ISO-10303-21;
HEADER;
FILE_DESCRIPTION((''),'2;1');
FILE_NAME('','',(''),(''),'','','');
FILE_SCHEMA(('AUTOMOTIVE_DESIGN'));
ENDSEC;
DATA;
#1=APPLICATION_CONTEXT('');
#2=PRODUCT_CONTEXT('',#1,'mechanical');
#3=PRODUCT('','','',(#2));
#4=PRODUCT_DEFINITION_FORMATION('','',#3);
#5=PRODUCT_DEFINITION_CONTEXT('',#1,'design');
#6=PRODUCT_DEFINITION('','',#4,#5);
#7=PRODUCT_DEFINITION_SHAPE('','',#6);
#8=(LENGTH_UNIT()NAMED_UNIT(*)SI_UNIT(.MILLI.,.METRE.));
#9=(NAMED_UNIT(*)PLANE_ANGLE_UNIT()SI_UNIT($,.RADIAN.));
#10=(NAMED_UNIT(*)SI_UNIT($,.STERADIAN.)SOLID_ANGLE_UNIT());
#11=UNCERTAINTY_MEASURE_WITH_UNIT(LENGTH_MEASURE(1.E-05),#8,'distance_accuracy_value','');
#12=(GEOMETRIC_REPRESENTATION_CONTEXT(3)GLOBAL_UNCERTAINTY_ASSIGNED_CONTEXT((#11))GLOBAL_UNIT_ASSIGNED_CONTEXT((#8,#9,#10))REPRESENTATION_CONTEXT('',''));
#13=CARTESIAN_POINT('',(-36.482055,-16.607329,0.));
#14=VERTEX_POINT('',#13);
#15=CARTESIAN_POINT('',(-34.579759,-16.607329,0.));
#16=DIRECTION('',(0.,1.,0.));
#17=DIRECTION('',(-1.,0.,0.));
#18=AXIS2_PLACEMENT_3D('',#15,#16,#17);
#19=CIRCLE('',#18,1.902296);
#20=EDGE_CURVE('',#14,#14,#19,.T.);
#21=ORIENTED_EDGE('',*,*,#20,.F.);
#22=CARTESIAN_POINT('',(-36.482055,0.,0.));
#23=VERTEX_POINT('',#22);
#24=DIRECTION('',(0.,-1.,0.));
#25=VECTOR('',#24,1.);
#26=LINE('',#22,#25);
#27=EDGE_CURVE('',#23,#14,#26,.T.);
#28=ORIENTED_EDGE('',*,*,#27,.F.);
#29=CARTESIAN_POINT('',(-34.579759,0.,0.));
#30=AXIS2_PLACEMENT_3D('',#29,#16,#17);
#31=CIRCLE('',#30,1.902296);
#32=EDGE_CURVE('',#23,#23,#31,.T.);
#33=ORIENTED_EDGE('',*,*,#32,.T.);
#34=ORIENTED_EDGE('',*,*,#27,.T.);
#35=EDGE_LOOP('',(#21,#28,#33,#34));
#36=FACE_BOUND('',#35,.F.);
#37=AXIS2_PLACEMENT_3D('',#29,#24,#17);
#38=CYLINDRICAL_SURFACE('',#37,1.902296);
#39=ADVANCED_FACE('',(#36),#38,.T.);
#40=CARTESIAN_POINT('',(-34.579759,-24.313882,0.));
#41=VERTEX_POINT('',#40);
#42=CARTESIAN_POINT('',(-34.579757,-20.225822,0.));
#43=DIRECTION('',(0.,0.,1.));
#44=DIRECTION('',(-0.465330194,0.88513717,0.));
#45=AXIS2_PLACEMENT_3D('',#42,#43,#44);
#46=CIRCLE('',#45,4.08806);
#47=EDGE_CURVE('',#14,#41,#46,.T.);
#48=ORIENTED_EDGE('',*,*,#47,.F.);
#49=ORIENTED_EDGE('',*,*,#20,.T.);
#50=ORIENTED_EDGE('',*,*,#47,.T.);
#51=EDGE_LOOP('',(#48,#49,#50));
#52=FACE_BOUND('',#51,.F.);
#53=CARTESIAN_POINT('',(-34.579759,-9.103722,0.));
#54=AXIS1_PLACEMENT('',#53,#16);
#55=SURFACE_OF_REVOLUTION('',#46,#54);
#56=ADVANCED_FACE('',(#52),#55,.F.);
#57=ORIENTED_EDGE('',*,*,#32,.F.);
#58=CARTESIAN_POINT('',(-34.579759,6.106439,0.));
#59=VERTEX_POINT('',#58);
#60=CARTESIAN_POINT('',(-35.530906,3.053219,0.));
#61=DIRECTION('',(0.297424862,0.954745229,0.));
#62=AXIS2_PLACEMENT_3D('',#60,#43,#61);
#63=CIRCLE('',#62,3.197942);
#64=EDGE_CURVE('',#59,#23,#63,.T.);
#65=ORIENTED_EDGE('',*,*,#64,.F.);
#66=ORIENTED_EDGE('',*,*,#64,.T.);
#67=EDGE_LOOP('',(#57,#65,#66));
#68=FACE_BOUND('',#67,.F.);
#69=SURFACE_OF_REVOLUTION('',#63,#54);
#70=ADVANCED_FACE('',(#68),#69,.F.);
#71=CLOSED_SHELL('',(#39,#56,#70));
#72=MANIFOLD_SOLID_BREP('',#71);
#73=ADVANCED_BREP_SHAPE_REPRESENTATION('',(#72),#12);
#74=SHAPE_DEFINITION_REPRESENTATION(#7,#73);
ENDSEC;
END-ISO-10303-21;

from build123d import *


with BuildPart() as f1:
    # F0 (on Top) → F1 (revolve)
    with BuildSketch(Plane.XY):
        with BuildLine():
            Line((-36.482055, 0), (-36.482055, -16.607329))
            ThreePointArc((-36.482055, -16.607329), (-38.54869, -21.205519), (-34.579759, -24.313882))
            Line((-34.579759, -24.313882), (-34.579759, 6.106439))
            ThreePointArc((-34.579759, 6.106439), (-38.584126, 4.004367), (-36.482055, 0))
        make_face()
    revolve(axis=Axis((-34.579759, -9.103722, 0), (0, 1, 0)))


solid = f1.part
